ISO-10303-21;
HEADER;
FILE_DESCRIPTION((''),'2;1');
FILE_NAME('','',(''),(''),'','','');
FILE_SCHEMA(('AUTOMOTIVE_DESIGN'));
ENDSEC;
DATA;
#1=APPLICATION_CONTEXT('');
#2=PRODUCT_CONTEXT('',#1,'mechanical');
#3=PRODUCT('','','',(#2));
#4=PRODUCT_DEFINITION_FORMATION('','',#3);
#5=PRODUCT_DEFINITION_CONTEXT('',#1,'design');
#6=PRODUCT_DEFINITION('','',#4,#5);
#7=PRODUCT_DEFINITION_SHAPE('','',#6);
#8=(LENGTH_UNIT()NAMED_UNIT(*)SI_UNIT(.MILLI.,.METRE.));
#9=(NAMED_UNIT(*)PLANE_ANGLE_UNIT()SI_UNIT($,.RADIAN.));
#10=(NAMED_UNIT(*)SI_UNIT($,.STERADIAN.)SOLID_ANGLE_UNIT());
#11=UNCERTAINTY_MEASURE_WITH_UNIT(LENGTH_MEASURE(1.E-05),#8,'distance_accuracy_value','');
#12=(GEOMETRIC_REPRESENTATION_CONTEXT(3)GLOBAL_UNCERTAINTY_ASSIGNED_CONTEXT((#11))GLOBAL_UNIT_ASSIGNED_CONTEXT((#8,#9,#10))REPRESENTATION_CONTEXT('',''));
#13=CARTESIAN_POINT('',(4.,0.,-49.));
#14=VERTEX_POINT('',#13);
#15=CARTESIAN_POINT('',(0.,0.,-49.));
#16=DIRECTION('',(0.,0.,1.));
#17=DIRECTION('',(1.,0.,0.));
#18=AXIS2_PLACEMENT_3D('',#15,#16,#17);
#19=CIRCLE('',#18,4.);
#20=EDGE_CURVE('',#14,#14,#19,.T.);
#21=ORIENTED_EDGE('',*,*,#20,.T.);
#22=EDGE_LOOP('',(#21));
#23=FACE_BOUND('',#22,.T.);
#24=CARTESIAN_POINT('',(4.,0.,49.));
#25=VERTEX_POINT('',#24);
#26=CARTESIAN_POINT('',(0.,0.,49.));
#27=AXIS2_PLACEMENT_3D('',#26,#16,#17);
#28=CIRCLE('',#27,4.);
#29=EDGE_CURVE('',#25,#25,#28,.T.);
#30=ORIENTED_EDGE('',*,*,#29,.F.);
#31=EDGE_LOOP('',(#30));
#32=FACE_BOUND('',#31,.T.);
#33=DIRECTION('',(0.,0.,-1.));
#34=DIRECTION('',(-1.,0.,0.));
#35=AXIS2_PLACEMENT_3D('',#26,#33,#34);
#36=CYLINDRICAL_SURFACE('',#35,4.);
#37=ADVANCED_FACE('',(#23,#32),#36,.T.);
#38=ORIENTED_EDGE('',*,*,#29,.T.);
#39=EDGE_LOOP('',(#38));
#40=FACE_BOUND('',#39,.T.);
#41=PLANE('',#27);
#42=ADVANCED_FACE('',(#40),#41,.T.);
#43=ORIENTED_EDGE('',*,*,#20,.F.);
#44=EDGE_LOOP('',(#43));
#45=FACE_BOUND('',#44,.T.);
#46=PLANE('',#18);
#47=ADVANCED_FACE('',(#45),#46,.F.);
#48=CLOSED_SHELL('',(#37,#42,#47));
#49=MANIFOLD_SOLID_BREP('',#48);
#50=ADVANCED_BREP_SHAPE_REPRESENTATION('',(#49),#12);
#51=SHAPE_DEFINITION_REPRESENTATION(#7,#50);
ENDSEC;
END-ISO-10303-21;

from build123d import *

# Parameters (mm, degrees)
SHAFT_START    = -49
SHAFT_SKETCH_R = 4
SHAFT_DEPTH    = 98


with BuildPart() as part:
    # Shaft_Sketch → Shaft (new body)
    with BuildSketch(Plane.XY.offset(SHAFT_START)):
        Circle(SHAFT_SKETCH_R)
    extrude(amount=SHAFT_DEPTH)


solid = part.part
